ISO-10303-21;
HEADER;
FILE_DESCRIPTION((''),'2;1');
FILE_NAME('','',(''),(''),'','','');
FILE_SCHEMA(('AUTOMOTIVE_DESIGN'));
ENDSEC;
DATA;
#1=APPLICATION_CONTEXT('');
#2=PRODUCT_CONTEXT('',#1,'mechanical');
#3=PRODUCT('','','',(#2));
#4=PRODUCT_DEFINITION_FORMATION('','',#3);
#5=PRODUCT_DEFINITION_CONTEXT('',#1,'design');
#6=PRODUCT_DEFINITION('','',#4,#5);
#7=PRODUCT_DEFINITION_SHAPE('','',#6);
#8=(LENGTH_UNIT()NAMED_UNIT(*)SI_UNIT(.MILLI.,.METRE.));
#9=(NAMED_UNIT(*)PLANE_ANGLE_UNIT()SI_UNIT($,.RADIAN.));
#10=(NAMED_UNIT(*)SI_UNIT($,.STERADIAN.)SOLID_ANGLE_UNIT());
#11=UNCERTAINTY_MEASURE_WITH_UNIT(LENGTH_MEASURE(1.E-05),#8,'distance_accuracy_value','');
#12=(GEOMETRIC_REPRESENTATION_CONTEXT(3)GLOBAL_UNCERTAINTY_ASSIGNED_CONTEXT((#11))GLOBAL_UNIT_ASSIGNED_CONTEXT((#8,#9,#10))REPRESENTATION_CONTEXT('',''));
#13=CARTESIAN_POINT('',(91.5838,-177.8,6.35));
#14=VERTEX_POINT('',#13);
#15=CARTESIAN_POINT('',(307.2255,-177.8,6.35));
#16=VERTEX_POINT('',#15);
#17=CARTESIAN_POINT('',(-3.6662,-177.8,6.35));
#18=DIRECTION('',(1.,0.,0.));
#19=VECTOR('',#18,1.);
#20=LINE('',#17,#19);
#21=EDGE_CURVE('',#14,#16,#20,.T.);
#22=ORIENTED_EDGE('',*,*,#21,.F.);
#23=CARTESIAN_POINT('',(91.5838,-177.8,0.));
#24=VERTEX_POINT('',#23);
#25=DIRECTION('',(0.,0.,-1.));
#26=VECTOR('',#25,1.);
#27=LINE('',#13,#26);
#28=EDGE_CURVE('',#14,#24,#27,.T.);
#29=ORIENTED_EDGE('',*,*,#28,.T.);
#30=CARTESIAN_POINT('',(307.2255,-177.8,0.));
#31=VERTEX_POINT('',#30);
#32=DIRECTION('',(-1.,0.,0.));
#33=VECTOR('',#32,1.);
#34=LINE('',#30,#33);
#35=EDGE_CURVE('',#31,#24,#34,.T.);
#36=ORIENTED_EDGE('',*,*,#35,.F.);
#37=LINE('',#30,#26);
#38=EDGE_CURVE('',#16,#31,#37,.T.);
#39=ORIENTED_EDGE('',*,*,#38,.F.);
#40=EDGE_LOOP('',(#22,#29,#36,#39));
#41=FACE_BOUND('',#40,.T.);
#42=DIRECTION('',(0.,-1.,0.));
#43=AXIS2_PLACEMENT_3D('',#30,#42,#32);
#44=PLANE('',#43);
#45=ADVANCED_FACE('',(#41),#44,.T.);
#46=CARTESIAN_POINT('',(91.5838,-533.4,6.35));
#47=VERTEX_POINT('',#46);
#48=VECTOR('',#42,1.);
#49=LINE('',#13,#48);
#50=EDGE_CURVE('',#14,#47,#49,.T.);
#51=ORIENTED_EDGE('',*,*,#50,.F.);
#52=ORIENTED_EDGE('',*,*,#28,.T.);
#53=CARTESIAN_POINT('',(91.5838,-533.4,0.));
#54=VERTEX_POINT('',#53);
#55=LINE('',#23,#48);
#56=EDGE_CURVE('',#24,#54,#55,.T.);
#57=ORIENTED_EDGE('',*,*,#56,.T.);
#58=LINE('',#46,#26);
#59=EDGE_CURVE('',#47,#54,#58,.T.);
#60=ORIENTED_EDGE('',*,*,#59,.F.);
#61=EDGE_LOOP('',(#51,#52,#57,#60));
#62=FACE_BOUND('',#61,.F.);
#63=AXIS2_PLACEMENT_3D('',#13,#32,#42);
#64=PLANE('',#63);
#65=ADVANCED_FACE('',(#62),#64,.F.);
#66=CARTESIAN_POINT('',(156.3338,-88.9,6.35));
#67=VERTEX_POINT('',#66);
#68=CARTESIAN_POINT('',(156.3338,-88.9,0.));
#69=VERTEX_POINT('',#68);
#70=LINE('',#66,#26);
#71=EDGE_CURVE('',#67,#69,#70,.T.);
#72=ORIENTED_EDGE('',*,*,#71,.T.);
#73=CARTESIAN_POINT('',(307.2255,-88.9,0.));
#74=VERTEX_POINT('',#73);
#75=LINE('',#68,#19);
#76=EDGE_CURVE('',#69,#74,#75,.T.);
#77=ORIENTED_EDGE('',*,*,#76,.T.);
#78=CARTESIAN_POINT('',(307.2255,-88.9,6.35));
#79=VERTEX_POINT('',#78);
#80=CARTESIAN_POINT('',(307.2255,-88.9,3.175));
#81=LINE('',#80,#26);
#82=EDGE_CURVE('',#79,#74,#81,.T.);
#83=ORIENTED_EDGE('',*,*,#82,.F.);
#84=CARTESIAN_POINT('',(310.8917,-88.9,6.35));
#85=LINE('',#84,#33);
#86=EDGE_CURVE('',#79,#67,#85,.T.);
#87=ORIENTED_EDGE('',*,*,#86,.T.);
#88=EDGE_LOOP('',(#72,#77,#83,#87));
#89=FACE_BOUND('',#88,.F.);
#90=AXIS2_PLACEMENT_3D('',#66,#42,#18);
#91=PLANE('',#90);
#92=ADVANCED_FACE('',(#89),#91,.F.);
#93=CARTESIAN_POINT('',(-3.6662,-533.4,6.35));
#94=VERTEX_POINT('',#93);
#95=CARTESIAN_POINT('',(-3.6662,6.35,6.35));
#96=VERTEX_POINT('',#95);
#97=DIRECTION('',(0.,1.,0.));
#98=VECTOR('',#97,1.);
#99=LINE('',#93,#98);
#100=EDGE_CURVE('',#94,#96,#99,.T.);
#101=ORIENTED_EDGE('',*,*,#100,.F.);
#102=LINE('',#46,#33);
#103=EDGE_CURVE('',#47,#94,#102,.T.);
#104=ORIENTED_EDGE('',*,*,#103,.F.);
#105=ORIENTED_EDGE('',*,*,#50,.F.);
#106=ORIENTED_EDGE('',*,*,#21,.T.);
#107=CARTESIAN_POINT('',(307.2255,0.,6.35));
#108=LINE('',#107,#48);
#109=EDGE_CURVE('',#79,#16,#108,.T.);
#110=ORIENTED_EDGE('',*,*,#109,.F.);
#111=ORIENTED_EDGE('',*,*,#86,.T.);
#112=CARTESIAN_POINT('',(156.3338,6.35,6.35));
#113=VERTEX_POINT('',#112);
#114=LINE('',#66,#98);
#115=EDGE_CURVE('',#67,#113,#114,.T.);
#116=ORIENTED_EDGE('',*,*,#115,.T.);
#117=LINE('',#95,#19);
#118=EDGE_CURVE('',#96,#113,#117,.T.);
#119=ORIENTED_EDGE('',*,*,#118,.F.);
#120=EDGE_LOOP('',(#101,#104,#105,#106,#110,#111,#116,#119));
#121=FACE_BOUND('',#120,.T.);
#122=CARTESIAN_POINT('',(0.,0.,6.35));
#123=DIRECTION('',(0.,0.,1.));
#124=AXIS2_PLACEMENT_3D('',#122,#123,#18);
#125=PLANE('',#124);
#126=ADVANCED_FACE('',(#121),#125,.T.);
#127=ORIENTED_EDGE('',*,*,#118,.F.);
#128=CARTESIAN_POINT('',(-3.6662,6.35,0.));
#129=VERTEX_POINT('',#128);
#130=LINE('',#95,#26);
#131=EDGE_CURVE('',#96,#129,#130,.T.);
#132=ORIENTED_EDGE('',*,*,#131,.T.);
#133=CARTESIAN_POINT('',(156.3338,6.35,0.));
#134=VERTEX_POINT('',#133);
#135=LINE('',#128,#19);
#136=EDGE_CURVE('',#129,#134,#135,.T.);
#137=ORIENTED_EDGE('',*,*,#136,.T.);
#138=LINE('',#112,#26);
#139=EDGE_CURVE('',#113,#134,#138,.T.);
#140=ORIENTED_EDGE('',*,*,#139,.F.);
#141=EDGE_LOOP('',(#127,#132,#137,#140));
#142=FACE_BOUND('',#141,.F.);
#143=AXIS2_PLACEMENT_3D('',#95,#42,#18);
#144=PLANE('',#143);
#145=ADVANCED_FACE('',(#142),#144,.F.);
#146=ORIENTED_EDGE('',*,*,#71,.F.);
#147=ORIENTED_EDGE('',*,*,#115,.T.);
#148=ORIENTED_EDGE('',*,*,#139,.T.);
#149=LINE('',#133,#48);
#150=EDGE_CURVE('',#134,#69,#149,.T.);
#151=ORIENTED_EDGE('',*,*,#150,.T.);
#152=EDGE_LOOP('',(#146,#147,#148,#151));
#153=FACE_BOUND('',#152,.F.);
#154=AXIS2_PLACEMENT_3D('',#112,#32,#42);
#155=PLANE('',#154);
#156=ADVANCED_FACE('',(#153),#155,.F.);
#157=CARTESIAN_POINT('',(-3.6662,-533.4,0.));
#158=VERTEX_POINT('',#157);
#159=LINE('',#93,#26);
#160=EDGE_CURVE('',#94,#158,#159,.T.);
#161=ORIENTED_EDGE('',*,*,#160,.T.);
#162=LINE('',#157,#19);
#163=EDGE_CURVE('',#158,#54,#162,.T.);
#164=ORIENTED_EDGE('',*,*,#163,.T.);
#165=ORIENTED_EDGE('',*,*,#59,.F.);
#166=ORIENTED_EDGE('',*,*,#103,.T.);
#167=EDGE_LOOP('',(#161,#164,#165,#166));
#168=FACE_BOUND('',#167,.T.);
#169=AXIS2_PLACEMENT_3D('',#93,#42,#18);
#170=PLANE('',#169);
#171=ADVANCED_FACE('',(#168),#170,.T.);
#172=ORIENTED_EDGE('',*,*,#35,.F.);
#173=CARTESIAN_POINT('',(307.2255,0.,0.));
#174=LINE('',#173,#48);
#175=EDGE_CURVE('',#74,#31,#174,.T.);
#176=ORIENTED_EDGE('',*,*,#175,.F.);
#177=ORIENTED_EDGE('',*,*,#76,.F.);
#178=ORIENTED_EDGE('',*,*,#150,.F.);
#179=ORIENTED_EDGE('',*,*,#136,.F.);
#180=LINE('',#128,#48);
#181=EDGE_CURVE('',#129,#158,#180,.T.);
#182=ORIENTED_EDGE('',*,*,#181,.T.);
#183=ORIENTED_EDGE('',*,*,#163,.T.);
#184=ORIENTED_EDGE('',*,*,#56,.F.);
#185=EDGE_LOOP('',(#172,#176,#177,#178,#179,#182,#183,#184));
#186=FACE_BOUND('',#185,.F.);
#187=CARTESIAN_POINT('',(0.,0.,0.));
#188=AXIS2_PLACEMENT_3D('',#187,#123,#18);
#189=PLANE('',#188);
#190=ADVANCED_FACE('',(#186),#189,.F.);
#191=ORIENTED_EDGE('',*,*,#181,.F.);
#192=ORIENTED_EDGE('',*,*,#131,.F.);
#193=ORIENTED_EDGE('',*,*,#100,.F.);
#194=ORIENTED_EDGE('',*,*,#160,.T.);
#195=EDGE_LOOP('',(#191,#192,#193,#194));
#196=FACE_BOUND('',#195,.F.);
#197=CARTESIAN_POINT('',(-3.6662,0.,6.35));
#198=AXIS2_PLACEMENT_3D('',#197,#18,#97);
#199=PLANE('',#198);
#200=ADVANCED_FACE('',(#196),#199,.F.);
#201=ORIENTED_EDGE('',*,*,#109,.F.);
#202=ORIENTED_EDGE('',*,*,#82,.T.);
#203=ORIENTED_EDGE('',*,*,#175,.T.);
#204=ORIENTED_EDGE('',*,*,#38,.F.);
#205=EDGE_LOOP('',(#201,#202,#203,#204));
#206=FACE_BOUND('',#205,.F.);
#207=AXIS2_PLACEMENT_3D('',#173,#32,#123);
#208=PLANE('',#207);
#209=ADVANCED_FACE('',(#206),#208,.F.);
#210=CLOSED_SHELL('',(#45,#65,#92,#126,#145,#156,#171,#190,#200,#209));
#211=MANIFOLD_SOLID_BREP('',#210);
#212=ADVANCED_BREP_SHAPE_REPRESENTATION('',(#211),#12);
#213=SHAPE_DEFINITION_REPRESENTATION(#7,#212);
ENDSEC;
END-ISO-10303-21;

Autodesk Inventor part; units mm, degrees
ref_plane "YZ Plane" through (0, 0, 0) normal (1, 0, 0) x (0, 1, 0)
ref_plane "XZ Plane" through (0, 0, 0) normal (0, 1, 0) x (-1, 0, 0)
ref_plane "XY Plane" through (0, 0, 0) normal (0, 0, 1) x (1, 0, 0)
sketch "Sketch1" plane through (0, 0, 0) normal (0, 0, 1) x (1, 0, 0)
  line L0 (0, 0) -> (307.2255, 0)
  line L1 (307.2255, 0) -> (307.2255, -177.8)
  line L2 (307.2255, -177.8) -> (0, -177.8)
  line L3 (0, -177.8) -> (0, 0)
  line L4 (460.8382, 266.0651) -> (307.2255, 0)
  line L5 (307.2255, 0) -> (0, 0)
  line L6 (0, 0) -> (-153.6127, 266.0651)
  line L7 (-153.6127, 266.0651) -> (0, 532.1302)
  line L8 (0, 532.1302) -> (307.2255, 532.1302)
  line L9 (307.2255, 532.1302) -> (460.8382, 266.0651)
  point P0 (153.6127, 266.0651)
  dimension "d1" = 177.8
  dimension "d39" = 307.2255
extrude "Extrusion1" add sketch "Sketch1" along normal blind 6.35 contours L0 L1 L2 L3
sketch "Sketch2" plane through (0, 0, 0) normal (0, 1, 0) x (1, 0, 0)
  line L0 (307.2255, -6.35) -> (0, -6.35) projected
  line L1 (0, -6.35) -> (-3.6662, -6.35)
  line L2 (-3.6662, -6.35) -> (0, 0)
  line L3 (0, 0) -> (0, -6.35) projected
  line L4 (0, 0) -> (0, -6.35) projected
  line L5 (0, -6.35) -> (0, 0)
  line L6 (307.2255, -6.35) -> (310.8917, -6.35)
  line L7 (307.2255, 0) -> (307.2255, -6.35) projected
  line L8 (310.8917, -6.35) -> (307.2255, 0)
  line L9 (307.2255, 0) -> (307.2255, -6.35)
  dimension "d4" = 30
  dimension "d5" = 60
extrude "Extrusion2" add sketch "Sketch2" against normal blind 177.8
sketch "Sketch3" plane through (0, 0, 6.35) normal (0, 0, 1) x (1, 0, 0)
  line L0 (81.3338, -88.9) -> (281.3338, -88.9)
  line L1 (281.3338, -88.9) -> (281.3338, 0)
  line L2 (281.3338, 0) -> (81.3338, 0)
  line L3 (81.3338, 0) -> (81.3338, -88.9)
  line L4 (-3.6662, 0) -> (310.8917, 0) projected
  line L5 (81.3338, -88.9) -> (192.81, -88.9)
  line L6 (121.05, 0) -> (81.3338, 0)
  line L7 (81.3338, 0) -> (81.3338, -88.9)
  line L8 (281.3338, 0) -> (169.304, 0)
  line L9 (156.3338, -88.9) -> (281.3338, -88.9)
  line L10 (281.3338, -88.9) -> (281.3338, 0)
  line L11 (81.3338, 0) -> (156.3338, 0)
  line L12 (156.3338, 0) -> (156.3338, -88.9)
  line L13 (156.3338, -88.9) -> (81.3338, -88.9)
  line L14 (81.3338, -88.9) -> (81.3338, 0)
  line L15 (281.3338, 0) -> (281.3338, -88.9)
  line L16 (281.3338, -88.9) -> (281.3338, 0)
  line L17 (-3.6662, 0) -> (-3.6662, -177.8) projected
  point P0 (0, 0)
  point P1 (281.3338, -44.45)
  point P2 (153.6127, 0)
  point P3 (153.6127, 0)
  dimension "d8" = 200
  dimension "d9" = 88.9
  dimension "d14" = 75
  dimension "d33" = 85
extrude "Extrusion3" cut sketch "Sketch3" against normal through all contours L12 L2 L1 L0
sketch "Sketch5" plane through (0, 0, 6.35) normal (0, 0, 1) x (1, 0, 0)
  line L0 (310.8917, -177.8) -> (-3.6662, -177.8) projected
  line L1 (-3.6662, -177.8) -> (91.5838, -177.8)
  line L2 (91.5838, -177.8) -> (91.5838, -533.4)
  line L3 (91.5838, -533.4) -> (-3.6662, -533.4)
  line L4 (-3.6662, -533.4) -> (-3.6662, -177.8)
  point P0 (0, 0)
  dimension "d23" = 95.25
  dimension "d24" = 355.6
extrude "Extrusion5" add sketch "Sketch5" against normal blind 10
sketch "Sketch6" plane through (-3.6662, -177.8, -3.65) normal (0, 1, 0) x (1, 0, 0)
  line L0 (0, -10) -> (3.6662, -3.65) projected
  line L1 (0, 0) -> (95.25, 0) projected
  line L2 (0, -10) -> (0, 0) projected
  line L3 (95.25, -3.65) -> (3.6662, -3.65) projected
  line L4 (95.25, -3.65) -> (95.25, 0) projected
  point P0 (3.6662, -3.65)
extrude "Extrusion6" cut sketch "Sketch6" against normal through all
sketch "Sketch9" plane through (0, 0, 6.35) normal (0, 0, 1) x (1, 0, 0)
  line L0 (281.3338, -88.9) -> (156.3338, -88.9) projected
  line L1 (310.8917, 0) -> (310.8917, -177.8) projected
  line L2 (281.3338, -88.9) -> (310.8917, -88.9)
  line L3 (310.8917, -88.9) -> (310.8917, 0)
  line L4 (310.8917, 0) -> (281.3338, 0)
  line L5 (281.3338, 0) -> (281.3338, -88.9)
  point P0 (0, 0)
extrude "Extrusion8" cut sketch "Sketch9" against normal through all
sketch "Sketch10" plane through (0, 0, 0) normal (0, 1, 0) x (1, 0, 0)
  line L0 (0, 0) -> (0, -6.35)
  line L1 (-3.6662, -6.35) -> (156.3338, -6.35) projected
  line L2 (0, -6.35) -> (-3.6662, -6.35)
  line L3 (0, 0) -> (-3.6662, -6.35) projected
  line L4 (0, 0) -> (-3.6662, -6.35)
  line L5 (0, 0) -> (156.3338, 0) projected
  line L6 (-3.6662, -6.35) -> (0, 0)
  line L7 (156.3338, 0) -> (307.2255, 0) projected
  line L8 (307.2255, 0) -> (307.2255, -6.35)
  line L9 (310.8917, -6.35) -> (156.3338, -6.35) projected
  line L10 (307.2255, -6.35) -> (310.8917, -6.35)
  line L11 (307.2255, 0) -> (310.8917, -6.35) projected
  line L12 (310.8917, -6.35) -> (307.2255, 0)
  line L13 (307.2255, 0) -> (310.8917, -6.35)
extrude "Extrusion9" cut sketch "Sketch10" against normal through all contours L0 L1 L3 | L11 L9 L8
sketch "Sketch11" plane through (0, 0, 6.35) normal (0, 0, 1) x (1, 0, 0)
  line L0 (0, 0) -> (-3.6662, 0)
  line L1 (-3.6662, 0) -> (-3.6662, -533.4)
  line L2 (-3.6662, -533.4) -> (0, -533.4)
  line L3 (0, -533.4) -> (0, 0)
  line L4 (91.5838, -177.8) -> (91.5838, -533.4) projected
  dimension "d40" = 95.25
extrude "Extrusion10" add sketch "Sketch11" against normal blind 6.35
sketch "Sketch12" plane through (0, 0, 6.35) normal (0, 0, 1) x (1, 0, 0)
  line L0 (-3.6662, 0) -> (156.3338, 0) projected
  line L1 (156.3338, 0) -> (-3.6662, 0)
  line L2 (-3.6662, 0) -> (-3.6662, 6.35)
  line L3 (-3.6662, 6.35) -> (156.3338, 6.35)
  line L4 (156.3338, 6.35) -> (156.3338, 0)
  point P0 (0, 0)
  point P1 (-3.6662, 3.175)
  dimension "d43" = 6.35
extrude "Extrusion11" add sketch "Sketch12" against normal blind 6.35
properties part number "BA03" material "ABS Plastic"
